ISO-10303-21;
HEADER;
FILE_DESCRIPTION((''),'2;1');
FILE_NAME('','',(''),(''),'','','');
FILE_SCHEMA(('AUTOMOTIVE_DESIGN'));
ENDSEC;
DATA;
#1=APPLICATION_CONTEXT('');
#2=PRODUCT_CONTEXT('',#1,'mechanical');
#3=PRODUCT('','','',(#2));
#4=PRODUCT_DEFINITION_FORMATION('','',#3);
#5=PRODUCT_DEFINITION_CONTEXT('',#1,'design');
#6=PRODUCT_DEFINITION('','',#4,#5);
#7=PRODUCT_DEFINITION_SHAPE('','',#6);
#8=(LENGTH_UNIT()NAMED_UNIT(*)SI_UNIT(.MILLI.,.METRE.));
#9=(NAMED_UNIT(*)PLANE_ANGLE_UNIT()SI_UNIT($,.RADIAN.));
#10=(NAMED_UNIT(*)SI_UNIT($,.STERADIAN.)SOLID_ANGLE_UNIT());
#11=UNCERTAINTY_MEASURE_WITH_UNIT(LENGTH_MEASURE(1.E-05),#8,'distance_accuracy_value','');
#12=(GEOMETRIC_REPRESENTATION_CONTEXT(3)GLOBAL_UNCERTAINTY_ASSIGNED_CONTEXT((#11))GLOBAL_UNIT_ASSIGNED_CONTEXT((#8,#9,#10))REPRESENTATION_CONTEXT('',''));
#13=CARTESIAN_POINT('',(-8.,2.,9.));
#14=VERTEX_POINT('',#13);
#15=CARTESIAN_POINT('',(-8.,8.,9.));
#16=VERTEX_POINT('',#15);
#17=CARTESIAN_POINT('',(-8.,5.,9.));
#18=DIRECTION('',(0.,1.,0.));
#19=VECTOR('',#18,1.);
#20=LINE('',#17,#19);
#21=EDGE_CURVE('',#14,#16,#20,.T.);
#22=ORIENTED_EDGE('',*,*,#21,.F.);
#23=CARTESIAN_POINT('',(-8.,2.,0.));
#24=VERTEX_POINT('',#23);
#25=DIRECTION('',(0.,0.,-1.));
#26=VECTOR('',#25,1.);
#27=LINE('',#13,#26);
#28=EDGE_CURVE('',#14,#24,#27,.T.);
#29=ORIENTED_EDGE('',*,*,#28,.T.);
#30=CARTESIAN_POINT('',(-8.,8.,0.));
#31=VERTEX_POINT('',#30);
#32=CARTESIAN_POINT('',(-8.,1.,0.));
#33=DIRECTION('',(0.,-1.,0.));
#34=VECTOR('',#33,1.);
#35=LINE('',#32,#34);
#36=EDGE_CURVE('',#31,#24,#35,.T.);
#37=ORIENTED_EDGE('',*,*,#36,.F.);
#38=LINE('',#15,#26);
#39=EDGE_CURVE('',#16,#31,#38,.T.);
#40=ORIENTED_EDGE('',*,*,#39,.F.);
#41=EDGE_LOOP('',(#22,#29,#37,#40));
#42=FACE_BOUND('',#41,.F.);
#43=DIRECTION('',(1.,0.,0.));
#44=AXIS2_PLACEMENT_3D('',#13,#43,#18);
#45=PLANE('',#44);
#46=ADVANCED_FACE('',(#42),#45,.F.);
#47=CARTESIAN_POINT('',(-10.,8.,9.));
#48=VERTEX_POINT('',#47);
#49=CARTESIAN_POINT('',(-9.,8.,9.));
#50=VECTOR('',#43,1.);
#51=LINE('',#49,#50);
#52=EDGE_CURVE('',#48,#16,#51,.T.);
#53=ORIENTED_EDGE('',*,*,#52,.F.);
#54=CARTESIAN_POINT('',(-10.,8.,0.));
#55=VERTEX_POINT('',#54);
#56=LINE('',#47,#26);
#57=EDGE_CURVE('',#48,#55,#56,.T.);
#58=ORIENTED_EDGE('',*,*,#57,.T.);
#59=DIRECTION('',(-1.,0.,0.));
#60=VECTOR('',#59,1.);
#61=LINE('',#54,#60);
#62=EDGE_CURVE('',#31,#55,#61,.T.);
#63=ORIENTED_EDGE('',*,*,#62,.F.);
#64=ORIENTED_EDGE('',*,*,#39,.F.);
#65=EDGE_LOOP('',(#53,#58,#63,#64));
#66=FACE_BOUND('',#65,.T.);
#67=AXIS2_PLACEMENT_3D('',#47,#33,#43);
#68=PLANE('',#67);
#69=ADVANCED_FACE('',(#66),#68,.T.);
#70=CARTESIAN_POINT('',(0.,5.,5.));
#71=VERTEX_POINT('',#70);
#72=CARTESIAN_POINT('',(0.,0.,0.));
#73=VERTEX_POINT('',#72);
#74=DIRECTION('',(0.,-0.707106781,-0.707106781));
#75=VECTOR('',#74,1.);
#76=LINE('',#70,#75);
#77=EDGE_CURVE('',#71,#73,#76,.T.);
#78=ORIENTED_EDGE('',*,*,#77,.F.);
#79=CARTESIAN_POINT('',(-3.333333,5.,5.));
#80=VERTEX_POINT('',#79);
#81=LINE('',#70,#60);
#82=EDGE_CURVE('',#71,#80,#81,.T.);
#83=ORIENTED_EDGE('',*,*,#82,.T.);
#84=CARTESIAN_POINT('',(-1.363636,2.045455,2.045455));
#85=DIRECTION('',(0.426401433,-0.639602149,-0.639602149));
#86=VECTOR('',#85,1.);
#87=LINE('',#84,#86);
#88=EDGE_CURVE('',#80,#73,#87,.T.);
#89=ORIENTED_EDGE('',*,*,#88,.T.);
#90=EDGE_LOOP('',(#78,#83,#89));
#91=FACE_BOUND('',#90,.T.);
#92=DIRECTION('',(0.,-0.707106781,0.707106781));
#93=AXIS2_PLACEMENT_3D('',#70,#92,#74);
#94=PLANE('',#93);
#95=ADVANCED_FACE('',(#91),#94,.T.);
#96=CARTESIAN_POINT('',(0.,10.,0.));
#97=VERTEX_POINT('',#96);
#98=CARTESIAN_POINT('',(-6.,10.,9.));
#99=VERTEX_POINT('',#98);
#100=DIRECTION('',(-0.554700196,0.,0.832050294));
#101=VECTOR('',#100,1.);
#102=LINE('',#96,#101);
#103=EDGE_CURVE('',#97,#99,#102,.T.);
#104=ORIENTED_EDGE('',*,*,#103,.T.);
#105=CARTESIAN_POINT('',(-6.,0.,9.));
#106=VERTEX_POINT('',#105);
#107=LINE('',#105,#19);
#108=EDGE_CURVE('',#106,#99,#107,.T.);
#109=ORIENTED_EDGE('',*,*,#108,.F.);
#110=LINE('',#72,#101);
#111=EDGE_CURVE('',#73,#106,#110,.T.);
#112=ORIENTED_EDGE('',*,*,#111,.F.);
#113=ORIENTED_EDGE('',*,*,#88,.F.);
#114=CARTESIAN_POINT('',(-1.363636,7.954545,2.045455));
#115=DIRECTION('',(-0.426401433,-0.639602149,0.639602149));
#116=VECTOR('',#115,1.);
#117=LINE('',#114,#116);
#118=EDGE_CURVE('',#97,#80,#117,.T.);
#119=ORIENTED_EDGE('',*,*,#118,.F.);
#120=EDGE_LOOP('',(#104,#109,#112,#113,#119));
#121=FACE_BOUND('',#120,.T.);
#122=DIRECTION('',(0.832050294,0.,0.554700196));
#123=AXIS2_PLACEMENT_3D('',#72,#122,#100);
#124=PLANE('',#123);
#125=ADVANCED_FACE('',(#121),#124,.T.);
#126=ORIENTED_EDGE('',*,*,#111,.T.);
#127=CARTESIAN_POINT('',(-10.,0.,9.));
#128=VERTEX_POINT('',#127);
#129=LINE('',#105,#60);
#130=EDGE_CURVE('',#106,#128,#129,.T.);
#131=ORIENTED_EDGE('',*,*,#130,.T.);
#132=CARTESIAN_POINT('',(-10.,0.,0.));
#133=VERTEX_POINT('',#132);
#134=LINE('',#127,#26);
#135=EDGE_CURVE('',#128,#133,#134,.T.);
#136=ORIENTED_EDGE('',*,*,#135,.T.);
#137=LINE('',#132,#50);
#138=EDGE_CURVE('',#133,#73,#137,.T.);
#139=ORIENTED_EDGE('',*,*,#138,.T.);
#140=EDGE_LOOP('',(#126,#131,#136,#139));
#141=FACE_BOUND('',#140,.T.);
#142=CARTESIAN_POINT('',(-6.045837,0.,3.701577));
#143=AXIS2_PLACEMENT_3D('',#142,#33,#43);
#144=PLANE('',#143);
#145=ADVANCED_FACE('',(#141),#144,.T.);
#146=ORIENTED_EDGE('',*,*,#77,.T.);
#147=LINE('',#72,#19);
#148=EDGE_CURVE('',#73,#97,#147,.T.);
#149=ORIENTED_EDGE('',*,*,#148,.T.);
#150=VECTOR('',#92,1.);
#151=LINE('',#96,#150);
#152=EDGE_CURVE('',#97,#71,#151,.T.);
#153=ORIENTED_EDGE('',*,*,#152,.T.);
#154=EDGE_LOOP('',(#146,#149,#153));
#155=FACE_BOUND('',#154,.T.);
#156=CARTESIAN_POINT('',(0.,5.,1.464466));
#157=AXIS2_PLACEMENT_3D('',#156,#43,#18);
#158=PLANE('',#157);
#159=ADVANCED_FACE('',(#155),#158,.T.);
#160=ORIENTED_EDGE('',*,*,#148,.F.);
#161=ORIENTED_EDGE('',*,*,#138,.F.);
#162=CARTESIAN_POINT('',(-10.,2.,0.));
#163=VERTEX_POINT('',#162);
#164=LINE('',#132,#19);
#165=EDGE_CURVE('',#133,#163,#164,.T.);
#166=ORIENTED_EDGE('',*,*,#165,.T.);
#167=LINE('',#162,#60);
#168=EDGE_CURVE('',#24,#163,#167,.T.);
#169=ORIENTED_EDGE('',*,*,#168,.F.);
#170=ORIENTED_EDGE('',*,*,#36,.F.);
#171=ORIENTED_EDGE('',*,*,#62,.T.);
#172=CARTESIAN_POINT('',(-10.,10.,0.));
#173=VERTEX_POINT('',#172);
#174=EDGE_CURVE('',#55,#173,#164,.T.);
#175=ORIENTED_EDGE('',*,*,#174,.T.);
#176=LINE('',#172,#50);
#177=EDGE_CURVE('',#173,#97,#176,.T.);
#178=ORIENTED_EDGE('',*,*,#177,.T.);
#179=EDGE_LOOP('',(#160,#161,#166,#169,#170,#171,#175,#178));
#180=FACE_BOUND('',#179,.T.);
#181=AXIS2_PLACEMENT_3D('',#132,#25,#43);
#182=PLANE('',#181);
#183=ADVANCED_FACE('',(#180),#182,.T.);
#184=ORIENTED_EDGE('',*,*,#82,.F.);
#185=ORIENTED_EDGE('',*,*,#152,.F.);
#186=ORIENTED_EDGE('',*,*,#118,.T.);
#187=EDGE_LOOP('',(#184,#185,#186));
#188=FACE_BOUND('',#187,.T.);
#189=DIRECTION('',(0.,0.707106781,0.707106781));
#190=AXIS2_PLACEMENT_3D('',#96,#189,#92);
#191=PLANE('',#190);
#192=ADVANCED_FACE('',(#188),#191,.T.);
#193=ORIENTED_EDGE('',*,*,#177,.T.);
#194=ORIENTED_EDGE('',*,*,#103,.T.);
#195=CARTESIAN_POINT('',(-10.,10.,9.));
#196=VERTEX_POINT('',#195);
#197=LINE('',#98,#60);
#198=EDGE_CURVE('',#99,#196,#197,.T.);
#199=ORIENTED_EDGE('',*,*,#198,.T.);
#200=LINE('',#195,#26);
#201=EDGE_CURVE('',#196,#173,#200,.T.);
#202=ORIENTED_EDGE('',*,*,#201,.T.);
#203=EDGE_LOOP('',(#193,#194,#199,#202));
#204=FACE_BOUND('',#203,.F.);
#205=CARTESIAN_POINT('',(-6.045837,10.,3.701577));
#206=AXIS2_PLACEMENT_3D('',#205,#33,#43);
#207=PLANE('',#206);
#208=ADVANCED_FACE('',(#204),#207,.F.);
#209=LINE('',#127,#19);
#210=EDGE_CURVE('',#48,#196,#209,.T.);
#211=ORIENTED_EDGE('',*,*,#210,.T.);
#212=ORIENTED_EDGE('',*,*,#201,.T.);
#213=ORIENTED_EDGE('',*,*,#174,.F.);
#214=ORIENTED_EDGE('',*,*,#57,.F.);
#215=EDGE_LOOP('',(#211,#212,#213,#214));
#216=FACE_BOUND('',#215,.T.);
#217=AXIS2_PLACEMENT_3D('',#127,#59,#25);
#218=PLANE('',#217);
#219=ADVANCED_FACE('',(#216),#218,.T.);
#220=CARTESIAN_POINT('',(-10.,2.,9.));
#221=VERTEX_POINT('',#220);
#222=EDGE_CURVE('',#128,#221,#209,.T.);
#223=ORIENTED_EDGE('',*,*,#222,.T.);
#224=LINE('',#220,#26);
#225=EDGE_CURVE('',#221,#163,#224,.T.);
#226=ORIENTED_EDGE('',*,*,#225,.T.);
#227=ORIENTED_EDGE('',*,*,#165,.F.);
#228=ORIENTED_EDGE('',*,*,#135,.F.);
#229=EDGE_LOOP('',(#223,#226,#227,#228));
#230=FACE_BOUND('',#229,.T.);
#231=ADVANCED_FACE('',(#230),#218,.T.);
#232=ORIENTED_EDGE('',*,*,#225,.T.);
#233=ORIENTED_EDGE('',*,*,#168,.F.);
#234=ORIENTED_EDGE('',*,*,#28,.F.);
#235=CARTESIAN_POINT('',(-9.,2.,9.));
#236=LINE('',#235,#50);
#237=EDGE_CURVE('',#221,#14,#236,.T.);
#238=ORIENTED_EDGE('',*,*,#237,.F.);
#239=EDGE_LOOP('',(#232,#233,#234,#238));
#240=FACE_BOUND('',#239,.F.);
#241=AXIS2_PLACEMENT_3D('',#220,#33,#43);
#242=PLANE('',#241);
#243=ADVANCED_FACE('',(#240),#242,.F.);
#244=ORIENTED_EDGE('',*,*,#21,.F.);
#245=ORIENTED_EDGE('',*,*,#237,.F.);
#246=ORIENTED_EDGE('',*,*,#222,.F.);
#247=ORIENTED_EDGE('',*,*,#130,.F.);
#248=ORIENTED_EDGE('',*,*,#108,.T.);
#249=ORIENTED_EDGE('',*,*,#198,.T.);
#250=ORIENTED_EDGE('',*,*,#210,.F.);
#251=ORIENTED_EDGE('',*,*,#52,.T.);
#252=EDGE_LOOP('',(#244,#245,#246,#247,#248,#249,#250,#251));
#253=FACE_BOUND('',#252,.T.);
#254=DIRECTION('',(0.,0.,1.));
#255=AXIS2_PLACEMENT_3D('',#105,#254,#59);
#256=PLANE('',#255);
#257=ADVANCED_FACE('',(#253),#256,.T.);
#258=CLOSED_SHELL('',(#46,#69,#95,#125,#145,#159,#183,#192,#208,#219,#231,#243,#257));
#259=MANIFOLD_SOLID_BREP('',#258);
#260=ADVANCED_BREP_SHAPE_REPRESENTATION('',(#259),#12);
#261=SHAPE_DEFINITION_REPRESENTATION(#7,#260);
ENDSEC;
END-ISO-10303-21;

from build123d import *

# Parameters (mm, degrees)
F1_DEPTH = 10
F2_W     = 2
F2_H     = 6
F3_DEPTH = 9.001


with BuildPart() as f1:
    # F0 (on Front) → F1 (new body)
    with BuildSketch(Plane.XZ):
        Polygon((-6, 9), (-10, 9), (-10, 0), (0, 0), align=None)
    extrude(amount=-F1_DEPTH)

    # F2 (on face) → F3 (cut, through all)
    with BuildSketch(Plane.XY.offset(9)):
        with Locations((-9, 5)):
            Rectangle(F2_W, F2_H)
    extrude(amount=-F3_DEPTH, mode=Mode.SUBTRACT)

    # F4 (on Right) → F5 (join, up to the next surface of F1)
    with BuildSketch(Plane.YZ):
        Polygon((0, 0), (10, 0), (5, 5), align=None)
    extrude(until=Until.NEXT, dir=(-1, 0, 0))


solid = f1.part
